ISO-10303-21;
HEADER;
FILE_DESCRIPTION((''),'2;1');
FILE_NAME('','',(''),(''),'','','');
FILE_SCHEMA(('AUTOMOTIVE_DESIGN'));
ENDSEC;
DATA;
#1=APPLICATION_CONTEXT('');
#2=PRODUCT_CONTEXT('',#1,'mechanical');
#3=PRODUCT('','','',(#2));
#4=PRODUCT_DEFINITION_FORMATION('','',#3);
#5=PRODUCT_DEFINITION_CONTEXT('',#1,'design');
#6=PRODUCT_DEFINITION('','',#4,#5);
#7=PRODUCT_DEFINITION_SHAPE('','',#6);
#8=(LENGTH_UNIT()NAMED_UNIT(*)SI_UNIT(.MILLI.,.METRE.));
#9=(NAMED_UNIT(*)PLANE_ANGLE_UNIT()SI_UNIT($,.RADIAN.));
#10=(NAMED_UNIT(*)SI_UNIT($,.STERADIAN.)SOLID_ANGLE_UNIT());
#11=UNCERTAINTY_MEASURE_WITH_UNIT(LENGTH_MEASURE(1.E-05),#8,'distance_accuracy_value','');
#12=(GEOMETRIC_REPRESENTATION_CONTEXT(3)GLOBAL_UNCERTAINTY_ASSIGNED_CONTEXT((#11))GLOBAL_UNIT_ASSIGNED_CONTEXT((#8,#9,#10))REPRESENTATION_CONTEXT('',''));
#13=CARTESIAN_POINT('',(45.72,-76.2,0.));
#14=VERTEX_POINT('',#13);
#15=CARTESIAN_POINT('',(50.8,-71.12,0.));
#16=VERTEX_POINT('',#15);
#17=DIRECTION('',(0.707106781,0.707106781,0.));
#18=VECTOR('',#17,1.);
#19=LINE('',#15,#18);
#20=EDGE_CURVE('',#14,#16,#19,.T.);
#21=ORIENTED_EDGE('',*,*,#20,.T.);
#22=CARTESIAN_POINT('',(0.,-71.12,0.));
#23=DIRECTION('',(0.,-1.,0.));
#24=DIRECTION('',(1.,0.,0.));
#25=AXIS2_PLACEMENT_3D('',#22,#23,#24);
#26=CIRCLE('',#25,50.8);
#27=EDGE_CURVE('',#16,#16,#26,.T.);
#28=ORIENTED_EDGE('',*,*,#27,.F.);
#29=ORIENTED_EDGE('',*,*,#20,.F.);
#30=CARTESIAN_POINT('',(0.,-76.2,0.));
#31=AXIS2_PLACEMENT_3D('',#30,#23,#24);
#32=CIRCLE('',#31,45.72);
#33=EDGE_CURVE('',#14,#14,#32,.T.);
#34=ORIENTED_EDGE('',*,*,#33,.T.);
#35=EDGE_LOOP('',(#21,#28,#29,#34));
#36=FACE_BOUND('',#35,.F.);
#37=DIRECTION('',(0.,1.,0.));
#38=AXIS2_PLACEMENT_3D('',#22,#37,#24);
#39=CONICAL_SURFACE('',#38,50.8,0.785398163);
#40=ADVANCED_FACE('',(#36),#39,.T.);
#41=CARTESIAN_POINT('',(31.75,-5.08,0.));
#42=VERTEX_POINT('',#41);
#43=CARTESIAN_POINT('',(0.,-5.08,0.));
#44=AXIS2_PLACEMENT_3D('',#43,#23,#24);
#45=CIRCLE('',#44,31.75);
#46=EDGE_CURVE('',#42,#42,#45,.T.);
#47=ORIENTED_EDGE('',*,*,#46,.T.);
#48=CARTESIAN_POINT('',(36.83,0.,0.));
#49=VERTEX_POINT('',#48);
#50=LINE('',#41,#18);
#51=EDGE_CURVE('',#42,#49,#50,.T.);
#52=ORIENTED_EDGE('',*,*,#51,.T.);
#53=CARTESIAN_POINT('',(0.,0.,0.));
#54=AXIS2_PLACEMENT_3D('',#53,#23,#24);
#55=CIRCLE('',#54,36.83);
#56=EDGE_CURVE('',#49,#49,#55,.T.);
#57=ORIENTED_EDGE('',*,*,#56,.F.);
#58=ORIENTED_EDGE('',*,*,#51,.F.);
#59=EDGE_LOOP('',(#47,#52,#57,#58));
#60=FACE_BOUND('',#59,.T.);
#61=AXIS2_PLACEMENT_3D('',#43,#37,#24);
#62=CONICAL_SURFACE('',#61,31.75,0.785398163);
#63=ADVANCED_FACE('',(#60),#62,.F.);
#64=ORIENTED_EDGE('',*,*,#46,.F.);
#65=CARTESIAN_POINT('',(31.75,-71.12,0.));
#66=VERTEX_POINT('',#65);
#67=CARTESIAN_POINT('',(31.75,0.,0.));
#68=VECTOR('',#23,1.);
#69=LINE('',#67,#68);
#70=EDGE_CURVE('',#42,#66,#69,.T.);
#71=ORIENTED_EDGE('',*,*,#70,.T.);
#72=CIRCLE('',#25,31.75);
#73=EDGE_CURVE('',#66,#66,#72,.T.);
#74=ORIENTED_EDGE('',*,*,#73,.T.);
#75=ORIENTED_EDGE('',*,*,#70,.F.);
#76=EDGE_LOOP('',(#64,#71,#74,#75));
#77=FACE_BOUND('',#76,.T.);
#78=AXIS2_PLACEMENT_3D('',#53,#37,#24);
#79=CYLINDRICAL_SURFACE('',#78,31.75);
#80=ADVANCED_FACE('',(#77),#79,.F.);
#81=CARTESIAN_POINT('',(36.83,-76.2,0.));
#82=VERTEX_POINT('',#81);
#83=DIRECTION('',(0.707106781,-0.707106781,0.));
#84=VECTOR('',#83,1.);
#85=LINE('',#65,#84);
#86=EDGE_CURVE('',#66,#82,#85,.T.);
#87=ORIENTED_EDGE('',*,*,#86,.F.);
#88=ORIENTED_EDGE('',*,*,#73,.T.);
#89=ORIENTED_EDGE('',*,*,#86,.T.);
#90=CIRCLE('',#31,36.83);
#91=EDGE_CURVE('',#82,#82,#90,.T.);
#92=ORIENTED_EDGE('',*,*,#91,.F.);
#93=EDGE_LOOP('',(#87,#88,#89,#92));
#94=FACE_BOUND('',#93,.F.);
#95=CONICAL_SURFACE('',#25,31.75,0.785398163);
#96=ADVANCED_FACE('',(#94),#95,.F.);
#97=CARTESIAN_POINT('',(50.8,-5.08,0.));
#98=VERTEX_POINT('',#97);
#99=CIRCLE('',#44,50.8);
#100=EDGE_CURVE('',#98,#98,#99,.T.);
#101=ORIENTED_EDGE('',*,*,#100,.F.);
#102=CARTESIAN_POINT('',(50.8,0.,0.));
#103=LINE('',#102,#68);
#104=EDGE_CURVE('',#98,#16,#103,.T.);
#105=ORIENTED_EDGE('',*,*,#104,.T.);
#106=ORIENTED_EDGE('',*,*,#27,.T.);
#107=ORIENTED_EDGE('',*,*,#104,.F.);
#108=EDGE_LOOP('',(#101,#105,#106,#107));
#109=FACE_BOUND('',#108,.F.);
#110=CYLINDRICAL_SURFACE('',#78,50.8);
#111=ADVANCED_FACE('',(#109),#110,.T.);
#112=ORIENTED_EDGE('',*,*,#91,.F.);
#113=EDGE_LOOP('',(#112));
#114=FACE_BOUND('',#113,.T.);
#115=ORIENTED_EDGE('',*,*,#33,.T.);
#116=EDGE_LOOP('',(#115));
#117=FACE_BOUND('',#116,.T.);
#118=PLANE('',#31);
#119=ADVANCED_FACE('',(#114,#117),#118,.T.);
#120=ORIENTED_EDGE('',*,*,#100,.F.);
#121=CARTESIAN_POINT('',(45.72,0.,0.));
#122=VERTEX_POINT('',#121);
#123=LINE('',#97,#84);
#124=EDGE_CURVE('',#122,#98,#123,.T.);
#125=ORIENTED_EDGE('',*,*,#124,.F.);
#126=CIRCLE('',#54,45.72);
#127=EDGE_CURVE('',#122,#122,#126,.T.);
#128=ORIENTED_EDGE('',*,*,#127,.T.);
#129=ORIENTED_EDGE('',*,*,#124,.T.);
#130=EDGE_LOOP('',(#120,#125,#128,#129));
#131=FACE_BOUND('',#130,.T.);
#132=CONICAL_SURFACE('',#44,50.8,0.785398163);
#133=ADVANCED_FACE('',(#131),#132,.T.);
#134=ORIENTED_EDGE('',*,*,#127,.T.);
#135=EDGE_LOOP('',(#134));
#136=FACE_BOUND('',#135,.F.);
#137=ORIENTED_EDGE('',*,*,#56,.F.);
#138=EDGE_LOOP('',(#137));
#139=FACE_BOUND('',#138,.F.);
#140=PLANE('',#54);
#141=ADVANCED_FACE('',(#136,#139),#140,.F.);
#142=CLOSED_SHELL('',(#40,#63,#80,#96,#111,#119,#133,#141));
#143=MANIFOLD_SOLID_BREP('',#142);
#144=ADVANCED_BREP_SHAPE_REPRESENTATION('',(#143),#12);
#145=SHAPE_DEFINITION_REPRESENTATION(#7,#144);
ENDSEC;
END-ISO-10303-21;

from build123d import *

# Parameters (mm, degrees)
F0_R     = 50.8
F0_R_2   = 31.75
F1_DEPTH = 76.2
F2_SIZE  = 5.08
F3_SIZE  = 5.08


with BuildPart() as f1:
    # F0 (on Front) → F1 (new body)
    with BuildSketch(Plane.XZ):
        Circle(F0_R)
        Circle(F0_R_2, mode=Mode.SUBTRACT)
    extrude(amount=F1_DEPTH)

    # F2
    f2_edges = [f1.edges().sort_by_distance(p)[0] for p in [
        (-31.75, -76.2, 0),
        (-31.75, 0, 0),
    ]]
    chamfer(f2_edges, length=F2_SIZE)

    # F3
    f3_edges = [f1.edges().sort_by_distance(p)[0] for p in [
        (-50.8, -76.2, 0),
        (-50.8, 0, 0),
    ]]
    chamfer(f3_edges, length=F3_SIZE)


solid = f1.part
